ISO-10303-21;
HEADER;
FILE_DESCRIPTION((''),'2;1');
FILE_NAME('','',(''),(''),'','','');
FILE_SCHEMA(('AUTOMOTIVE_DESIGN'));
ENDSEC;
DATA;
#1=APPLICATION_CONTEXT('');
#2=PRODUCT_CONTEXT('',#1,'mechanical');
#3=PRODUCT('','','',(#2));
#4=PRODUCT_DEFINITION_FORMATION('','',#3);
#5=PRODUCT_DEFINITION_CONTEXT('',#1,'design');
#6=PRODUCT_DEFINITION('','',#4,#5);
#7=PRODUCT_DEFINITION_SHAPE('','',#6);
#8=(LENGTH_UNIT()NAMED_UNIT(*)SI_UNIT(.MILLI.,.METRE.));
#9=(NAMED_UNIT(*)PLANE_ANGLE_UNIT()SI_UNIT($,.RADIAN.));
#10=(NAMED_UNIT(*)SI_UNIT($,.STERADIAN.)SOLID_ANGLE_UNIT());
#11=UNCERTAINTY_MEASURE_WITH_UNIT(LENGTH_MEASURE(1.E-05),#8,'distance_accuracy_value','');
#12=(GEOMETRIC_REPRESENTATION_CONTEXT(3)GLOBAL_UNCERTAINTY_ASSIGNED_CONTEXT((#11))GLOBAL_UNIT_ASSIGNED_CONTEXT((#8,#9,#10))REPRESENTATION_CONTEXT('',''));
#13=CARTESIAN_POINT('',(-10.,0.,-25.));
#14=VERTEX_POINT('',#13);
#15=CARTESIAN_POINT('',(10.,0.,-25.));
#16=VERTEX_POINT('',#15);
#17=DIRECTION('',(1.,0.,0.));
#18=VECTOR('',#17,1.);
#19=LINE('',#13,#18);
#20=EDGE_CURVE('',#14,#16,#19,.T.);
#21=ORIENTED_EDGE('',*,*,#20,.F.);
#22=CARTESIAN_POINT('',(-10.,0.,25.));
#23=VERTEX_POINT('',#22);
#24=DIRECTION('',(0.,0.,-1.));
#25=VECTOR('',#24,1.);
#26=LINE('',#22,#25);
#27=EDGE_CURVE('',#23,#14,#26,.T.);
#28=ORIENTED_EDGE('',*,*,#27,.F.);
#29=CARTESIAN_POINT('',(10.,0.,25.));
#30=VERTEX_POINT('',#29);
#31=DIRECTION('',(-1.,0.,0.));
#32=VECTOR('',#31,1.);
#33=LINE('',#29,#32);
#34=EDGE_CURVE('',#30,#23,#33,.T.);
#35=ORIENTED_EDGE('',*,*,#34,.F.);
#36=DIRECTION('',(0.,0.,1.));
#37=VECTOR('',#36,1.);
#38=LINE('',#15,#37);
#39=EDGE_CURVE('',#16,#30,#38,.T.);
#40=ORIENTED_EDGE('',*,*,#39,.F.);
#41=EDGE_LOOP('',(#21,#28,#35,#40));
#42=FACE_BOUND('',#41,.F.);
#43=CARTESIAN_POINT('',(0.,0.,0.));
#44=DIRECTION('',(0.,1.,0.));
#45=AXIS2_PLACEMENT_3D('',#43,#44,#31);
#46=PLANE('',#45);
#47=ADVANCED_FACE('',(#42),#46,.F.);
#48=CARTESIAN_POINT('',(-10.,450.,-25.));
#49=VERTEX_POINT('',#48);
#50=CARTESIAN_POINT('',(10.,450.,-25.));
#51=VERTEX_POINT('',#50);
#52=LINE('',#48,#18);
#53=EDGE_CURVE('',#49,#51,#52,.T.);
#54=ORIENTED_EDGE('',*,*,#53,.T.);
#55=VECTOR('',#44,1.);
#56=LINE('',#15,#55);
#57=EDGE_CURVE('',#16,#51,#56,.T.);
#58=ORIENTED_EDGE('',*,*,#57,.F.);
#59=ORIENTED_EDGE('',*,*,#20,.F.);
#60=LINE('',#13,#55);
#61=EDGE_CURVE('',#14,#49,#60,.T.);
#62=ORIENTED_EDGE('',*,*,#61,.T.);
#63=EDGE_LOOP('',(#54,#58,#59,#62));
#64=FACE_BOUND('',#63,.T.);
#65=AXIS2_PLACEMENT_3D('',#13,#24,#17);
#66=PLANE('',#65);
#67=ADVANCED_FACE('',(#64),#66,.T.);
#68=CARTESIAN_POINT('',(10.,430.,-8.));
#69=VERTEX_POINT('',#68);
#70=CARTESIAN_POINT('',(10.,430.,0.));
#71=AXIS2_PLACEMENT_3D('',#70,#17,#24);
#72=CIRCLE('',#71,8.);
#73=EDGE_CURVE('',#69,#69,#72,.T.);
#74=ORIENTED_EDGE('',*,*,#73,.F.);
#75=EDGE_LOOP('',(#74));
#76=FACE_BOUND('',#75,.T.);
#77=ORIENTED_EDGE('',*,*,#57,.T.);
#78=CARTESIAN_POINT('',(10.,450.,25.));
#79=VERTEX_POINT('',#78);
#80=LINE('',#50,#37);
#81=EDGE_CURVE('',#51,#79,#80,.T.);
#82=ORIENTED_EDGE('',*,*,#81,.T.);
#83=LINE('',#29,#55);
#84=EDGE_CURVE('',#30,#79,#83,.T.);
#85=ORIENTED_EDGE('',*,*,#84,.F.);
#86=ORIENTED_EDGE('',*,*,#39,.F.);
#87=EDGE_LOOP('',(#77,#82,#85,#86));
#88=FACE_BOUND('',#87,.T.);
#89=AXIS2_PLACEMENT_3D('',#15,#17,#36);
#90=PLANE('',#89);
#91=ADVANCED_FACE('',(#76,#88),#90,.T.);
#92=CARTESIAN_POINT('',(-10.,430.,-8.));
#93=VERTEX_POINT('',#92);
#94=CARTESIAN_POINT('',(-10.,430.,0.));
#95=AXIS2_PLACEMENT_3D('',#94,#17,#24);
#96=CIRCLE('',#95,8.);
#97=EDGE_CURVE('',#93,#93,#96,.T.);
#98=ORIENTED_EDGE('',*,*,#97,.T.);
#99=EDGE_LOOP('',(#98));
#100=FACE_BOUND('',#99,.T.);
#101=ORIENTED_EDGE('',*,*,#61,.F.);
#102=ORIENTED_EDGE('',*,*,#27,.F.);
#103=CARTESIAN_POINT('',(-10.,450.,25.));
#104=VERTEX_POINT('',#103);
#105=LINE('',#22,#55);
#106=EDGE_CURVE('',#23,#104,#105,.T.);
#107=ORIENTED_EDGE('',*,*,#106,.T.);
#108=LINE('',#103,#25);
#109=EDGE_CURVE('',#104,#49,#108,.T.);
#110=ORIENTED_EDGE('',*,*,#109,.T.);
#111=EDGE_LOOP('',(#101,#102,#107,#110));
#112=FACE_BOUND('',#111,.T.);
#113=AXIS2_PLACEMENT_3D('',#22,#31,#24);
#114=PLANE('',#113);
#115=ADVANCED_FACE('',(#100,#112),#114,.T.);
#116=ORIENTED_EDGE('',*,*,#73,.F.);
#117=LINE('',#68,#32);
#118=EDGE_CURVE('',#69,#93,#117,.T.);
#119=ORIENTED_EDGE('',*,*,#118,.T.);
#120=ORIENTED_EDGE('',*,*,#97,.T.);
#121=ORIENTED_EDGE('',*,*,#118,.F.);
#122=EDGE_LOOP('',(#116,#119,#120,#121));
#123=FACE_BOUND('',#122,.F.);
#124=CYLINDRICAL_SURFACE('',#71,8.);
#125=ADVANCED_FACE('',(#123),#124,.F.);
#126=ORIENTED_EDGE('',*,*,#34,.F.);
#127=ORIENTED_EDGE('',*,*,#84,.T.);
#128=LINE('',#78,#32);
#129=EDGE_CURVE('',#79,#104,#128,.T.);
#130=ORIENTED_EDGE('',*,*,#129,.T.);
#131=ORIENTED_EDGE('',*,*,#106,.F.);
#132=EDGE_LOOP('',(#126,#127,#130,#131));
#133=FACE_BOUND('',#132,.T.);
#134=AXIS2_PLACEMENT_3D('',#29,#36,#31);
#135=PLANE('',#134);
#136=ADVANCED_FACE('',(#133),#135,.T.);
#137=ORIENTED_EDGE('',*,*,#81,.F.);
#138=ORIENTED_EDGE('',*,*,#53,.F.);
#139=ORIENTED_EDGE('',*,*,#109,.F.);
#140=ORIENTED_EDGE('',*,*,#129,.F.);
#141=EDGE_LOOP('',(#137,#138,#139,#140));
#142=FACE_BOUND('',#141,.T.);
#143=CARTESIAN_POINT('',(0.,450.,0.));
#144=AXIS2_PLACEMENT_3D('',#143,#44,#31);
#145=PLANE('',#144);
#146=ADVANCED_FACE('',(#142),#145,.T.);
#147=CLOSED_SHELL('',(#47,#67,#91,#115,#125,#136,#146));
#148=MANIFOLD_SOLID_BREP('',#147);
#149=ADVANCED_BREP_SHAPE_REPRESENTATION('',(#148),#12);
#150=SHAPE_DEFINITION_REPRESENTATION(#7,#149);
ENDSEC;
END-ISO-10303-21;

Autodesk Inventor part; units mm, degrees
ref_plane "YZ Plane" through (0, 0, 0) normal (1, 0, 0) x (0, 1, 0)
ref_plane "XZ Plane" through (0, 0, 0) normal (0, 1, 0) x (-1, 0, 0)
ref_plane "XY Plane" through (0, 0, 0) normal (0, 0, 1) x (1, 0, 0)
sketch "Esboço1" plane through (0, 0, 0) normal (0, 1, 0) x (-1, 0, 0)
  line L0 (-10, 25) -> (10, 25)
  line L1 (10, 25) -> (10, -25)
  line L2 (10, -25) -> (-10, -25)
  line L3 (-10, -25) -> (-10, 25)
  line L4 (-10, 25) -> (10, -25) construction
  line L5 (10, 25) -> (-10, -25) construction
  point P0 (0, 0)
  dimension "d0" = 20
  dimension "d1" = 50
extrude "Extrusão1" add sketch "Esboço1" along normal blind 450
sketch "Esboço2" plane through (10, 0, 25) normal (1, 0, 0) x (0, 0, -1)
  circle A0 centre (25, 430) radius 8
  line L0 (0, 450) -> (50, 450) projected
  point P0 (25, 0)
  point P1 (25, 450)
  dimension "d4" = 16
  dimension "d7" = 0
  dimension "d8" = 20
extrude "Extrusão2" cut sketch "Esboço2" against normal blind 450
properties part number "Apoio"
